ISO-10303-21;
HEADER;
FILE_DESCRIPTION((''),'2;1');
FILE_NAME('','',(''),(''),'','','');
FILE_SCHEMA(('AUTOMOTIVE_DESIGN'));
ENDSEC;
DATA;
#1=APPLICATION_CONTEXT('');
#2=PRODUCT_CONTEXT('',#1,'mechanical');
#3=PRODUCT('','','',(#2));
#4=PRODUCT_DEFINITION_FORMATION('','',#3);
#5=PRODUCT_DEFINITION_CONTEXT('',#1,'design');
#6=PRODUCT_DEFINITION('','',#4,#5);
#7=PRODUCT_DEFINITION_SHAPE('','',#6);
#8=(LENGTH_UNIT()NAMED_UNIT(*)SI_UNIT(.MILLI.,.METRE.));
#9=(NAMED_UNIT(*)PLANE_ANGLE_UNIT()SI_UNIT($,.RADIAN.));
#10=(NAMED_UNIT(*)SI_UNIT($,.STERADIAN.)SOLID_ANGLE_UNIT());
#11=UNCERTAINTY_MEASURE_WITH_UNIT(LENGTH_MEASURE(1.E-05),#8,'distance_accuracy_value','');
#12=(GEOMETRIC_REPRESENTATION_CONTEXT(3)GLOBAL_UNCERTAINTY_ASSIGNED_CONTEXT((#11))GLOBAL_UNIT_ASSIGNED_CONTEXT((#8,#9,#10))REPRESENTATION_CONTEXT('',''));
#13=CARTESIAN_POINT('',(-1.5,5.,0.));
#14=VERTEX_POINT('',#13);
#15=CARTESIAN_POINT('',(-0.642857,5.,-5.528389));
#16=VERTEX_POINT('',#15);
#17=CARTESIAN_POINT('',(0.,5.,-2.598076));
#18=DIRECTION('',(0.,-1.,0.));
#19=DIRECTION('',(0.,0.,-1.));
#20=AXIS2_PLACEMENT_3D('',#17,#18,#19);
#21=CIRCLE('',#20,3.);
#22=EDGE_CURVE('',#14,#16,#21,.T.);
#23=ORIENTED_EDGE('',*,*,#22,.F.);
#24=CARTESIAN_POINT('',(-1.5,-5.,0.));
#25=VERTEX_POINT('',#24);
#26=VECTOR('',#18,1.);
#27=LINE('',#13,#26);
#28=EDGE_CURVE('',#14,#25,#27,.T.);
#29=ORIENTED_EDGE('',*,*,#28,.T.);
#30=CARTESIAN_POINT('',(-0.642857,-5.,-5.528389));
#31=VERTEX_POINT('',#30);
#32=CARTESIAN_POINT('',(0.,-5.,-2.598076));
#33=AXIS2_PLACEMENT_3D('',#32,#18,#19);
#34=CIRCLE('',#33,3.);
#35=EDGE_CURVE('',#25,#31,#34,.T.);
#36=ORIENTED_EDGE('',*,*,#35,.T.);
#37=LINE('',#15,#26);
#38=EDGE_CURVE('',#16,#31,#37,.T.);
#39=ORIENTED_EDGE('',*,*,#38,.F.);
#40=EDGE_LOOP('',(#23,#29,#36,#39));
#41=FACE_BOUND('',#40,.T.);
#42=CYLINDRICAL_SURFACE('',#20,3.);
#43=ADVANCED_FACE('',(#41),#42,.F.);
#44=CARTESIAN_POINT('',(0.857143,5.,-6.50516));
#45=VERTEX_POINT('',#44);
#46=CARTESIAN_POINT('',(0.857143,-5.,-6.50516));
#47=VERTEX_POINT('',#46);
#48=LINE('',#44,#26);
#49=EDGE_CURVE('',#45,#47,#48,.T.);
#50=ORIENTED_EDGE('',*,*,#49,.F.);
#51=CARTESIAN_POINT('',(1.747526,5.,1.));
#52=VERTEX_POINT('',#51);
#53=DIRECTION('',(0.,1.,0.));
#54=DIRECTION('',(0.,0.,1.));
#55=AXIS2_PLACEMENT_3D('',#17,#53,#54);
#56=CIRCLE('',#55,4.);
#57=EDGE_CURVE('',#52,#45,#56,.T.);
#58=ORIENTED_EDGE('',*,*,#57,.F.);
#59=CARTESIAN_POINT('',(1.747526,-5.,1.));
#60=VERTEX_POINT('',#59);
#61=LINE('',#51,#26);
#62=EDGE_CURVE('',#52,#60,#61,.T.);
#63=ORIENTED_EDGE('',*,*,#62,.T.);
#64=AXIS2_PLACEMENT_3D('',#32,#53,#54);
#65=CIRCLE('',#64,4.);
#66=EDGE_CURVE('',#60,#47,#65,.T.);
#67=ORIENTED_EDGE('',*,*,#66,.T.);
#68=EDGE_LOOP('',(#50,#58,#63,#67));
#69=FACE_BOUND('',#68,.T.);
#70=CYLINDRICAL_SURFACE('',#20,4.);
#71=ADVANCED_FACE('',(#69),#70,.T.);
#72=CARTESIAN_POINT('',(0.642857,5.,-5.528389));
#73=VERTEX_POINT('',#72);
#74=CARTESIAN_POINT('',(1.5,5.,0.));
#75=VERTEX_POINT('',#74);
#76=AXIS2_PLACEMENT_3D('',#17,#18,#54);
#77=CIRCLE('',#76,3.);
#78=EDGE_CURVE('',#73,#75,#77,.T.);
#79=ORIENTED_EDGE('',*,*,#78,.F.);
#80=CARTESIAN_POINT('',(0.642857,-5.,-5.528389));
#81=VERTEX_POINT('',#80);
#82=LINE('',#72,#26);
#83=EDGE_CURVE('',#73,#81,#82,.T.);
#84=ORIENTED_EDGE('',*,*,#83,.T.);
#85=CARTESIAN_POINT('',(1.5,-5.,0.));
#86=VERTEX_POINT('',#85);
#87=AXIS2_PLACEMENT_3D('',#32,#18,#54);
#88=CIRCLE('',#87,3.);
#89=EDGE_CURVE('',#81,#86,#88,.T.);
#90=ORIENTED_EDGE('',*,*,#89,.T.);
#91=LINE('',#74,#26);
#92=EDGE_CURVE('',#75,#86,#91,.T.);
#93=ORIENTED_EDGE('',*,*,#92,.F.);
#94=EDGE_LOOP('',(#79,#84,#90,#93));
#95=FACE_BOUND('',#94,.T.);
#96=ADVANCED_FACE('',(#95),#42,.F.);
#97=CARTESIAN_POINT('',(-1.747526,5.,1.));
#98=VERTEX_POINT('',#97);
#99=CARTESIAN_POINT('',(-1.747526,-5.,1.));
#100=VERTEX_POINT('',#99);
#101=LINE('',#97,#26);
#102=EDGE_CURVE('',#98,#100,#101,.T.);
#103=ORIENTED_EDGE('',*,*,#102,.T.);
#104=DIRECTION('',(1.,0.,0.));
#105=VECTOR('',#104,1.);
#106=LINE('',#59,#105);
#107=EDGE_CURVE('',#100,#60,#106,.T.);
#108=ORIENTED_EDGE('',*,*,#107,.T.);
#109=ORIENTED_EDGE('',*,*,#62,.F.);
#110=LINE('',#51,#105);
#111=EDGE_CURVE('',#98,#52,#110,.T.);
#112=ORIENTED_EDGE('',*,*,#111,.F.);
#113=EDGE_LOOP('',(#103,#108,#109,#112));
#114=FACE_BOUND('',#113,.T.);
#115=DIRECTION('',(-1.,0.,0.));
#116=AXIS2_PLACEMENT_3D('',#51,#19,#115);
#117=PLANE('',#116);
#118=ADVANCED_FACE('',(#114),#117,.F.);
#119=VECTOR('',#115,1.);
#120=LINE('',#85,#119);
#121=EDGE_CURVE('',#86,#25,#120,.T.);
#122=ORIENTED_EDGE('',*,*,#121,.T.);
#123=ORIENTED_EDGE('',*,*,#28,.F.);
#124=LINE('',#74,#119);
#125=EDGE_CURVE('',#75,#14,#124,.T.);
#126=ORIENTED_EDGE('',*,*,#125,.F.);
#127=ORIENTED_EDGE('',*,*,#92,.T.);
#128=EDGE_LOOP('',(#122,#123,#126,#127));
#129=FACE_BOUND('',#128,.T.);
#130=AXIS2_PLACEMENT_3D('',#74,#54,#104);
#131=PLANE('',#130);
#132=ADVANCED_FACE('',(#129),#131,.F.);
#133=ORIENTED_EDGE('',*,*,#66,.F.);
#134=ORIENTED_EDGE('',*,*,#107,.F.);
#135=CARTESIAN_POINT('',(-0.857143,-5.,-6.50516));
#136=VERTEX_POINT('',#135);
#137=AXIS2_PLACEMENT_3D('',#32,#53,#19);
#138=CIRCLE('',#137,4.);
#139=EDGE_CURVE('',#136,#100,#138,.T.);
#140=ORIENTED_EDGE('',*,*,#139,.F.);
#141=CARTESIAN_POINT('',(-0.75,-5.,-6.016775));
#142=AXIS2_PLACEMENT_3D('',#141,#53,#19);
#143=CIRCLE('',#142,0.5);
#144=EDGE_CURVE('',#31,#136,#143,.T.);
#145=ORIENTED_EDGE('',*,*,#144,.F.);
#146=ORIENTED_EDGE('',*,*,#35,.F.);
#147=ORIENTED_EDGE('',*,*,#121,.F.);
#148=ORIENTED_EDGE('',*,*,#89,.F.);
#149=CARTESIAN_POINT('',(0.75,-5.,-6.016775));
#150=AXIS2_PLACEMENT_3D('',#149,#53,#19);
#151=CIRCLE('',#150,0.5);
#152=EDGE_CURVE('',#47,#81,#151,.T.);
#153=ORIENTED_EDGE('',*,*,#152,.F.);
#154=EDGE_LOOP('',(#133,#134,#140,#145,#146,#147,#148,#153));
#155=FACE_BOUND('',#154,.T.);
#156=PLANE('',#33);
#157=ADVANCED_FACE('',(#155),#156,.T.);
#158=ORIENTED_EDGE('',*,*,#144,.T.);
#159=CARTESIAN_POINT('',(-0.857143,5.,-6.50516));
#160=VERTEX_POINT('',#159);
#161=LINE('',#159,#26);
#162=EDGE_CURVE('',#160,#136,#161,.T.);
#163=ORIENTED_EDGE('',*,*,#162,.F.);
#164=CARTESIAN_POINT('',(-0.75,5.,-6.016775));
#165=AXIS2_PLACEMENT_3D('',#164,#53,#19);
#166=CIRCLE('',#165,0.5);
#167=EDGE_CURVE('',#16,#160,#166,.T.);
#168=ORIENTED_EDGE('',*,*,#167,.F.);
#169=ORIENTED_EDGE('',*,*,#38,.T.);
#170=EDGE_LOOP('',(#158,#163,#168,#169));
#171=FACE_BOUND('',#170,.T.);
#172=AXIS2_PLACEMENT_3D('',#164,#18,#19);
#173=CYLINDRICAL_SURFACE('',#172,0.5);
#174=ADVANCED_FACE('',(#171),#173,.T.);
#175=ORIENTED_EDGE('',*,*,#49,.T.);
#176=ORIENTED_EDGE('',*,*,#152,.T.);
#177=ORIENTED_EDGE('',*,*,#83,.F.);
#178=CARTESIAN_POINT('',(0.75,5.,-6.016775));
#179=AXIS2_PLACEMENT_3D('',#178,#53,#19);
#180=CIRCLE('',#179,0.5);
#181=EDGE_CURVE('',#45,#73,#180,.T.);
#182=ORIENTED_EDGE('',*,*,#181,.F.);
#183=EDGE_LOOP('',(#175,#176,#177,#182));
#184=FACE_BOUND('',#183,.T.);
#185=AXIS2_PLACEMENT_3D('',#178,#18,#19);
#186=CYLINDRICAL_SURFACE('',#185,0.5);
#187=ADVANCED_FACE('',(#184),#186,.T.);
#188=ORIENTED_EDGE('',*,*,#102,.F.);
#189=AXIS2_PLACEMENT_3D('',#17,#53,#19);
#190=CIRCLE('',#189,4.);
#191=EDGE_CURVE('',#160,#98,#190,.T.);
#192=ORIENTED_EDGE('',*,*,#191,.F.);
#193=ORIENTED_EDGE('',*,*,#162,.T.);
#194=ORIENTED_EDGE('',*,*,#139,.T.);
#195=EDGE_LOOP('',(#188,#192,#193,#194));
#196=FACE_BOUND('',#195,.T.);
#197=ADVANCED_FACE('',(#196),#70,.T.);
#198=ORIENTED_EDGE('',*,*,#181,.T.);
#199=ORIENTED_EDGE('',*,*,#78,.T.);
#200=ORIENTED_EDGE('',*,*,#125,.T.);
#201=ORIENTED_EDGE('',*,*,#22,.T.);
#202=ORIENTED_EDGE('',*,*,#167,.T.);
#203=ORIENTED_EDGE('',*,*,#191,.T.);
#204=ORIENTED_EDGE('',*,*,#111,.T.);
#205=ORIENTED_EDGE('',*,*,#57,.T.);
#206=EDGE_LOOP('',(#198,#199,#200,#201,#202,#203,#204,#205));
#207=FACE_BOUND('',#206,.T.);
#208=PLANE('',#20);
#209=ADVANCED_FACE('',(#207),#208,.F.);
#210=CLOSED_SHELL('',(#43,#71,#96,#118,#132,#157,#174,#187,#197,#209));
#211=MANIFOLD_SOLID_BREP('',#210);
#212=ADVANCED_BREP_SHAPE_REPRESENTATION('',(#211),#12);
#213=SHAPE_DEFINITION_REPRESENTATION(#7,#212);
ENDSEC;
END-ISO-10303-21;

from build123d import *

# Parameters (mm, degrees)
BOSS_EXTRUDE1_DEPTH = 5


with BuildPart() as part:
    # Sketch1 → Boss-Extrude1 (new, symmetric)
    with BuildSketch(Plane(origin=(0, 0, 0), x_dir=(1, 0, 0), z_dir=(0, 1, 0))):
        with BuildLine():
            Line((1.5, 0), (-1.5, 0))
            ThreePointArc((-1.5, 0), (-2.96457943, 3.057716073), (-0.642857143, 5.528389282))
            ThreePointArc((-0.642857143, 5.528389282), (-0.261614488, 6.123917651), (-0.857142857, 6.505160306))
            ThreePointArc((-0.857142857, 6.505160306), (-3.972144627, 3.069316131), (-1.747526131, -1))
            Line((-1.747526131, -1), (1.747526131, -1))
            ThreePointArc((1.747526131, -1), (3.972144627, 3.069316131), (0.857142857, 6.505160306))
            ThreePointArc((0.857142857, 6.505160306), (0.261614488, 6.123917651), (0.642857143, 5.528389282))
            ThreePointArc((0.642857143, 5.528389282), (2.96457943, 3.057716073), (1.5, 0))
        make_face()
    extrude(amount=BOSS_EXTRUDE1_DEPTH, both=True)


solid = part.part
